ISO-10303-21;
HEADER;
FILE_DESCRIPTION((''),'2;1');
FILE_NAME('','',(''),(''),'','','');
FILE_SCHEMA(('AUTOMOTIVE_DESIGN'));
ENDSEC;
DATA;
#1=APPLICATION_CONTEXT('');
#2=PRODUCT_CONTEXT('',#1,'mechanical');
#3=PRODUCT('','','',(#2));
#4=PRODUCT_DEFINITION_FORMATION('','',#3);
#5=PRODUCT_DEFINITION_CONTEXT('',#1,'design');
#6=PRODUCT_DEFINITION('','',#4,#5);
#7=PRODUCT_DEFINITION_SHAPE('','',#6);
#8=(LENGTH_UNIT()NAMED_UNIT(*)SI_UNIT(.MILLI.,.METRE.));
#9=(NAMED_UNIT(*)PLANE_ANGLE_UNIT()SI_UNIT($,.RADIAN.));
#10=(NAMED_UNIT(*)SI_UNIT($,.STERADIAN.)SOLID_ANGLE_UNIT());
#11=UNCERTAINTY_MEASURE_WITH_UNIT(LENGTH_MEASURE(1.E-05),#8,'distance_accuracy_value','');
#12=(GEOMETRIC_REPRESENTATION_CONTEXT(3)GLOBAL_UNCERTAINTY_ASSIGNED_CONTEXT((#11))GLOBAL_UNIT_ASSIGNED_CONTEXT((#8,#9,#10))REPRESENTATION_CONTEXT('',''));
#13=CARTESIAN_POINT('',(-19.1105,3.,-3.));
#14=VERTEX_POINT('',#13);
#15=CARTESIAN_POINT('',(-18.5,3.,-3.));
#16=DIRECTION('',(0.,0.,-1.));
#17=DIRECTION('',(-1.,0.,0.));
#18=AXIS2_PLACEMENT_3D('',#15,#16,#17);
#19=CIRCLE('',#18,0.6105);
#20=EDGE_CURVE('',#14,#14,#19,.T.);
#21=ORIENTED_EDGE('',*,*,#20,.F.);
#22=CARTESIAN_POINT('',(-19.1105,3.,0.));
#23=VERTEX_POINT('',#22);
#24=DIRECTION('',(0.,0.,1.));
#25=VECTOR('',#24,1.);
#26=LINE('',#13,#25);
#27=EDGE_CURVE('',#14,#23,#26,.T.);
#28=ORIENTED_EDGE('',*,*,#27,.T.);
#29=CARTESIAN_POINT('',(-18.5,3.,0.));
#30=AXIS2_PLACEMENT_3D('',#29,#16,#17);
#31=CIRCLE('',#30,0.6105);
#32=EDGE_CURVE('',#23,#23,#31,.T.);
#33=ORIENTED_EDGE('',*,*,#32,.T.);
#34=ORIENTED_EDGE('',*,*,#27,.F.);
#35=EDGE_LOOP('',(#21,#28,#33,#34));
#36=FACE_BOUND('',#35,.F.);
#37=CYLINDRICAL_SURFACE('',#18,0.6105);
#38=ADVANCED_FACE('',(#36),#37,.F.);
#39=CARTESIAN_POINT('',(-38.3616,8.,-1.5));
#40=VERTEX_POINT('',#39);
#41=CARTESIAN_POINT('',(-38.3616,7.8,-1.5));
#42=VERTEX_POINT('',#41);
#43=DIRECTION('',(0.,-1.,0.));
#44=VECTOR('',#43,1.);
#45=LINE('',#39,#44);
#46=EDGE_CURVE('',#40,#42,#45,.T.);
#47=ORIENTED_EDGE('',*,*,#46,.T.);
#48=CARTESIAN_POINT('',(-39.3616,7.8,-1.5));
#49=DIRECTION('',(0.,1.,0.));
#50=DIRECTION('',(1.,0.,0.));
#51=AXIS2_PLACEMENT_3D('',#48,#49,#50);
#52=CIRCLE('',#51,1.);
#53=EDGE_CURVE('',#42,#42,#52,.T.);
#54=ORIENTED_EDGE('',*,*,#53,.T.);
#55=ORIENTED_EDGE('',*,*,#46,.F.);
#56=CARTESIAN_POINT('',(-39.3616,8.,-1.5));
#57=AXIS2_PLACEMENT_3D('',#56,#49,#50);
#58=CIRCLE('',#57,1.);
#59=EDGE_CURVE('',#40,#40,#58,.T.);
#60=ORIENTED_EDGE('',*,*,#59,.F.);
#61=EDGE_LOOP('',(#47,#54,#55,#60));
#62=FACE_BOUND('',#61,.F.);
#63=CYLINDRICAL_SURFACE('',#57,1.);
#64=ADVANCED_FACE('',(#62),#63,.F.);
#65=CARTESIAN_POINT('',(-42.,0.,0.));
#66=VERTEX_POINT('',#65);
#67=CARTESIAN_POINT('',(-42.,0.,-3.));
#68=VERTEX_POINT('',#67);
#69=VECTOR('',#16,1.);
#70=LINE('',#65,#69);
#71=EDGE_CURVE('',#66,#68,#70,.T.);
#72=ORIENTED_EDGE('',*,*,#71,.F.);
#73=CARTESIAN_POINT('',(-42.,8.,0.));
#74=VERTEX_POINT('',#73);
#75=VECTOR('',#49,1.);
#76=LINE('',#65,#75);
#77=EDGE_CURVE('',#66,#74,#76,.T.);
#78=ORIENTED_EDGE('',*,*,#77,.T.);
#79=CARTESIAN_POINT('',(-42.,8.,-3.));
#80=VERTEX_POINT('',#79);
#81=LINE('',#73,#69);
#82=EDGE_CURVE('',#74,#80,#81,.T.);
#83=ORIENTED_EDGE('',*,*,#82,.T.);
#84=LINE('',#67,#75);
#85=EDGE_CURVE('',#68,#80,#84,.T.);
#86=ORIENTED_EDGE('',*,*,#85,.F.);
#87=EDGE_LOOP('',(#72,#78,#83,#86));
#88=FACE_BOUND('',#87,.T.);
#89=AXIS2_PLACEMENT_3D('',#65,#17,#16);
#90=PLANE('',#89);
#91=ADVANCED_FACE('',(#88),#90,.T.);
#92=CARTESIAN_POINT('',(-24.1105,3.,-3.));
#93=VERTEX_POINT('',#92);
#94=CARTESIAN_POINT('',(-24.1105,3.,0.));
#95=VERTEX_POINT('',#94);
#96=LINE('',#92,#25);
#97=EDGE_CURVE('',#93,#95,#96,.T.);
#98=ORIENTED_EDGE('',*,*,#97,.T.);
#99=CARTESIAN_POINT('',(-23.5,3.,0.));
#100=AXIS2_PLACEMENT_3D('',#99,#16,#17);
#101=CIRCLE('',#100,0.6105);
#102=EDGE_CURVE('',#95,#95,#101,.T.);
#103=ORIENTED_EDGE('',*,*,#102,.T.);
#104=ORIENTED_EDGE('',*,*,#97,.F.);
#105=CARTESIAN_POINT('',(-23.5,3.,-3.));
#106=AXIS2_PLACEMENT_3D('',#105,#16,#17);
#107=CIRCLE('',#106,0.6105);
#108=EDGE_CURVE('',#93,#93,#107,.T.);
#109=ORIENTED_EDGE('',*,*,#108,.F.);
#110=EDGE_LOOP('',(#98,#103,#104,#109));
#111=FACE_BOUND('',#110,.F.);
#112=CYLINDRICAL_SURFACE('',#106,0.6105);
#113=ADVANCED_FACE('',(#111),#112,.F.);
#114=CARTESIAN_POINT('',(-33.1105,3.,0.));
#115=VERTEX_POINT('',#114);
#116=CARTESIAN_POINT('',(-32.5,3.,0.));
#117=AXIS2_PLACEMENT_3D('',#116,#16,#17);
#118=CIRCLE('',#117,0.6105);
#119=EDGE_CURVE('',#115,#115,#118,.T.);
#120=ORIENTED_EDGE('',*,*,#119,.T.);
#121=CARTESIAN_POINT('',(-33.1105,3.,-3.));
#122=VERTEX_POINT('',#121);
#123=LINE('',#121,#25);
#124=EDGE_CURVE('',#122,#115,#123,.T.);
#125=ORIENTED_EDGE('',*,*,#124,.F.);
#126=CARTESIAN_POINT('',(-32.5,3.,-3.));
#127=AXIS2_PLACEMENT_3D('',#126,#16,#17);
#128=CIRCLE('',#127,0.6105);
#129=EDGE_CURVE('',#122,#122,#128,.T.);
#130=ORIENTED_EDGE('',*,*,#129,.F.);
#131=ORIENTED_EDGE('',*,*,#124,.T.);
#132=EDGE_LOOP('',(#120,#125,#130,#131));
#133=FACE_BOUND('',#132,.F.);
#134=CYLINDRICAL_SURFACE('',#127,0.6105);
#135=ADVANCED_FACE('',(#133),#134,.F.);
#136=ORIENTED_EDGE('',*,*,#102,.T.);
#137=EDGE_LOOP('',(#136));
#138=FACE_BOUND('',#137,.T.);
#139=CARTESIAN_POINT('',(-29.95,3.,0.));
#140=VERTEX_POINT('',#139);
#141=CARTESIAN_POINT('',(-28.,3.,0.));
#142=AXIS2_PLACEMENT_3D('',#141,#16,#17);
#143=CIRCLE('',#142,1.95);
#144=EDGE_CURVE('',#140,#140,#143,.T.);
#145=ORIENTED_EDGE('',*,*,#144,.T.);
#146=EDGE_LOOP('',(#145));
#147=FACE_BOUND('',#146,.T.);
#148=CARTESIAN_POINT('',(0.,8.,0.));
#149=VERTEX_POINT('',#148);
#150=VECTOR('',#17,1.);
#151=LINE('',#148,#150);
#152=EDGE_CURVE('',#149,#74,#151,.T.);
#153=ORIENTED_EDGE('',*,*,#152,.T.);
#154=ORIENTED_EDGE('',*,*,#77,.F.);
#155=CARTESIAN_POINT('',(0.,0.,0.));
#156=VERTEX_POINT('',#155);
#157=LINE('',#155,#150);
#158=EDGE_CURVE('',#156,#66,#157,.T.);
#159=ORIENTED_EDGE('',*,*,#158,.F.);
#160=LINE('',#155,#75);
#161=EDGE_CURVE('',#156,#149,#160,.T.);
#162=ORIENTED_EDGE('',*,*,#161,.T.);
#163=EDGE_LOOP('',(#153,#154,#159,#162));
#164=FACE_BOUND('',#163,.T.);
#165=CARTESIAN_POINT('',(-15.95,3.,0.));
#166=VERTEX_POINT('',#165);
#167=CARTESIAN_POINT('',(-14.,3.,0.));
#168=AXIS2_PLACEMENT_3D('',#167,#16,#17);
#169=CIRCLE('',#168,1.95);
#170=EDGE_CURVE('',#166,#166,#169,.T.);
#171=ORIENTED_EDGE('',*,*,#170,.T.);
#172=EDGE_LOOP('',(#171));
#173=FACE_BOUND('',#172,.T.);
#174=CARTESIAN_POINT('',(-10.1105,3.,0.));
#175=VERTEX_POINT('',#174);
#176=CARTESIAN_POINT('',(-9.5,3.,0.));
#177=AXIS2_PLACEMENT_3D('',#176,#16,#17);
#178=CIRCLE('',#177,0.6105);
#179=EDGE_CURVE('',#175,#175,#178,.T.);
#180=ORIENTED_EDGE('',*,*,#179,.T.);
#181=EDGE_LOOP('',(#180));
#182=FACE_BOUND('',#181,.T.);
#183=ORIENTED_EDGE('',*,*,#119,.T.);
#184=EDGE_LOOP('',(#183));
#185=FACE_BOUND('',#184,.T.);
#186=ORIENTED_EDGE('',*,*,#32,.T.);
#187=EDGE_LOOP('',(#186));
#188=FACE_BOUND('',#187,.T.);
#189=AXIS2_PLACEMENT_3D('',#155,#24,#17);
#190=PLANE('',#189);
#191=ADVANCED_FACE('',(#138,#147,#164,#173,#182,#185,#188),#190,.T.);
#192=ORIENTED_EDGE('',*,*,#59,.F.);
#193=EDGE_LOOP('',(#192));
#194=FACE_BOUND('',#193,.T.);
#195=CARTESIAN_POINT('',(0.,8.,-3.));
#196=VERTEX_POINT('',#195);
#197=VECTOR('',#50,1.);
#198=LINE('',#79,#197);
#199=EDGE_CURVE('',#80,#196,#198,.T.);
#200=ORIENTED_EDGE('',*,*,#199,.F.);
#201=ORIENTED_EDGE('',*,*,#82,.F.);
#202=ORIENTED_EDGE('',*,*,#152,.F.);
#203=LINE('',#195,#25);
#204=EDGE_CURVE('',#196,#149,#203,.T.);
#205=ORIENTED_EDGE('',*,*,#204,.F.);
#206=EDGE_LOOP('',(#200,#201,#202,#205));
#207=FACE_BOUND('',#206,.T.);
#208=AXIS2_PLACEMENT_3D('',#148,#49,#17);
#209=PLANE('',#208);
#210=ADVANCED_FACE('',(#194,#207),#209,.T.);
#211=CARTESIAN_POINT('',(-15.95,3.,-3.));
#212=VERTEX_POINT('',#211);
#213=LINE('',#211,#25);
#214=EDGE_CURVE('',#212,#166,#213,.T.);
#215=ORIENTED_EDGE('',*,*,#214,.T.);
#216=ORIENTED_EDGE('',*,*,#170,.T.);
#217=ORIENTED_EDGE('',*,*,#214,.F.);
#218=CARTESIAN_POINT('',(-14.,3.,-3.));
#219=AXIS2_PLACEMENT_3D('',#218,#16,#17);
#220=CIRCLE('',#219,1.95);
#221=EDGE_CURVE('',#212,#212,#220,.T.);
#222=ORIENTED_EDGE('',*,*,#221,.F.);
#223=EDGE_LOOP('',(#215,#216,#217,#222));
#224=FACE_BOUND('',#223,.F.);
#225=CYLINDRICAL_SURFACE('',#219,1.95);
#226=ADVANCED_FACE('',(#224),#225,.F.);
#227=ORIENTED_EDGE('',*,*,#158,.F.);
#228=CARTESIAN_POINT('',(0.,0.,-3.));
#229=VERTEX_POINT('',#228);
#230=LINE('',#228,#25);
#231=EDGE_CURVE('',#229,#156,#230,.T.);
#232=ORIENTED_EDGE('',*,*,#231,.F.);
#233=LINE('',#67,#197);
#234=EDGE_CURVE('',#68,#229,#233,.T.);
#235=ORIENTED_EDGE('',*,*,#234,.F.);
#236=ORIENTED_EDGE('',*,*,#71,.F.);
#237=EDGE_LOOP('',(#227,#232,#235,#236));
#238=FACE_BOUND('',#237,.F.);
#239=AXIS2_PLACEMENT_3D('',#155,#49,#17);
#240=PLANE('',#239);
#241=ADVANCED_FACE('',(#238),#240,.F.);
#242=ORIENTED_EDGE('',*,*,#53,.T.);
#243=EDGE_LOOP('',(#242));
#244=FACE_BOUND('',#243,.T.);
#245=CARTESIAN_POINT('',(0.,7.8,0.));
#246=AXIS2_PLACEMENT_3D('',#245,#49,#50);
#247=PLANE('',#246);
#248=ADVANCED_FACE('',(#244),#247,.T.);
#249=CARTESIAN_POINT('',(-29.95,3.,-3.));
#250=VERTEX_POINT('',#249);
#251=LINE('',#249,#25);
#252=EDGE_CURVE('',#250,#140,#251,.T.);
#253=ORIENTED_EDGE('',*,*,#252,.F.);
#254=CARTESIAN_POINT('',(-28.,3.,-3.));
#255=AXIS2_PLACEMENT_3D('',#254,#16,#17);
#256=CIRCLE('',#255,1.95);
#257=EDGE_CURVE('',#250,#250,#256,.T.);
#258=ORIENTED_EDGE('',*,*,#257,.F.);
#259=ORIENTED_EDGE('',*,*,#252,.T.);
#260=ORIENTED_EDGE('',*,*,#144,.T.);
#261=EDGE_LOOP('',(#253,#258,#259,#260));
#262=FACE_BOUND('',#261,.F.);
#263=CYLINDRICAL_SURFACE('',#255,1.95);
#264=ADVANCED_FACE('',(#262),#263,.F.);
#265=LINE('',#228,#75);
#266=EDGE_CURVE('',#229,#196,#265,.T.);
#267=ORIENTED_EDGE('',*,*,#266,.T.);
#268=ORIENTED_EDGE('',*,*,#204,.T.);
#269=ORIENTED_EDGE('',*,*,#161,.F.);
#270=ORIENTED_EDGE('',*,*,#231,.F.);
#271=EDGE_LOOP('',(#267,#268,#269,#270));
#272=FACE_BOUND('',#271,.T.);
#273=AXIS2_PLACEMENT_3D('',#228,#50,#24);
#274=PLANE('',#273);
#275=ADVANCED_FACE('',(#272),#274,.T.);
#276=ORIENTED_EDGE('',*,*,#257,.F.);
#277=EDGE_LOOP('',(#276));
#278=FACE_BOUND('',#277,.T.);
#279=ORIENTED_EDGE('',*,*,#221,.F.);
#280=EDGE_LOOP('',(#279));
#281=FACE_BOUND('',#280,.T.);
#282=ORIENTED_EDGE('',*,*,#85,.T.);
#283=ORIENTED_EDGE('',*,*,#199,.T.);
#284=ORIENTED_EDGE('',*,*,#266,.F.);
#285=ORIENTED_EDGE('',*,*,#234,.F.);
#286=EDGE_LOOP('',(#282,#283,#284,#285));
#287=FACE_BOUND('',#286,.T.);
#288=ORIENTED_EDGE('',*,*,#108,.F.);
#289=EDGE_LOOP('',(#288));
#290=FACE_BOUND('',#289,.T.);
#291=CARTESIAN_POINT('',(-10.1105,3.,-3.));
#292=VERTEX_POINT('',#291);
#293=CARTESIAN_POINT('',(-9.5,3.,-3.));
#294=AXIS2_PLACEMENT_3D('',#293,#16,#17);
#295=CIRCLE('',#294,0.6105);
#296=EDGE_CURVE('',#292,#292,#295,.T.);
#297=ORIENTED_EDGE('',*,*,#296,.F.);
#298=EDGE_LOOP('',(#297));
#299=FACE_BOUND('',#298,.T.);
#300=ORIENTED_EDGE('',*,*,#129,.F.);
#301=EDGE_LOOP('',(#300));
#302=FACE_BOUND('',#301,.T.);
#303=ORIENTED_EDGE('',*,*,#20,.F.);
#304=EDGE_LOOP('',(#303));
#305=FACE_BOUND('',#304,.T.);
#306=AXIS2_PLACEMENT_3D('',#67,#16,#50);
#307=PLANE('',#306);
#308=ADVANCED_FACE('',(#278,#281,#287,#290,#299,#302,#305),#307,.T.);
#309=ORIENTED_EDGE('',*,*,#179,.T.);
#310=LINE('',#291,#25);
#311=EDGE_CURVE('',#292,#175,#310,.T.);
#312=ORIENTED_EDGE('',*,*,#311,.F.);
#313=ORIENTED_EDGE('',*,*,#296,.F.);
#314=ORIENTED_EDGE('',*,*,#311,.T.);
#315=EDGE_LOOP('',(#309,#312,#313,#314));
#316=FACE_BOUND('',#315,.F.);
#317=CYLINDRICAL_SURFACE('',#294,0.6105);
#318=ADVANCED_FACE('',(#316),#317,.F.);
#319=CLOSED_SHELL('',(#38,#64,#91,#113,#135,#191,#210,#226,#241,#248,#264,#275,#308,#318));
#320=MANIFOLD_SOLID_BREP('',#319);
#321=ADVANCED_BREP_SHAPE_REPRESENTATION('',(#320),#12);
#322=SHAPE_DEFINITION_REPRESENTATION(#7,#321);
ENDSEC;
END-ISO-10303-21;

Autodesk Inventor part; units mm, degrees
ref_plane "YZ Plane" through (0, 0, 0) normal (1, 0, 0) x (0, 1, 0)
ref_plane "XZ Plane" through (0, 0, 0) normal (0, 1, 0) x (-1, 0, 0)
ref_plane "XY Plane" through (0, 0, 0) normal (0, 0, 1) x (1, 0, 0)
sketch "Szkic1" plane through (0, 0, 0) normal (0, 1, 0) x (-1, 0, 0)
  line L0 (0, 0) -> (42, 0)
  line L1 (42, 0) -> (42, -3)
  line L2 (42, -3) -> (0, -3)
  line L3 (0, -3) -> (0, 0)
  dimension "d0" = 42
  dimension "d1" = 3
extrude "Wyciągnięcie proste1" add sketch "Szkic1" along normal blind 8
sketch "Szkic2" plane through (0, 8, 0) normal (0, 1, 0) x (1, 0, 0)
  circle A0 centre (-39.3616, 1.5) radius 1
  point P0 (0, 0)
  dimension "d4" = 2
extrude "Wyciągnięcie proste2" cut sketch "Szkic2" against normal blind 0.2
sketch "Szkic3" plane through (0, 0, -3) normal (0, 0, -1) x (-1, 0, 0)
  line L0 (0, 0) -> (42, 0) projected
  line L1 (0, 8) -> (42, 8) projected
  line L2 (42, 0) -> (36, 0)
  line L3 (36, 0) -> (36, 8)
  line L4 (36, 8) -> (42, 8)
  line L5 (42, 8) -> (42, 0)
  line L6 (0, 8) -> (6, 8)
  line L7 (6, 8) -> (6, 0)
  line L8 (6, 0) -> (0, 0)
  line L9 (0, 0) -> (0, 8)
  circle A0 centre (9.5, 3) radius 0.6105
  circle A1 centre (18.5, 3) radius 0.6105
  circle A2 centre (23.5, 3) radius 0.6105
  circle A3 centre (32.5, 3) radius 0.6105
  circle A4 centre (14, 3) radius 1.95
  circle A5 centre (28, 3) radius 1.95
  dimension "d7" = 6
  dimension "d8" = 6
  dimension "d9" = 1.221
  dimension "d10" = 1.221
  dimension "d11" = 1.221
  dimension "d12" = 1.221
  dimension "d13" = 3.5
  dimension "d14" = 3.5
  dimension "d15" = 3
  dimension "d16" = 3
  dimension "d17" = 3
  dimension "d18" = 3
  dimension "d19" = 9
  dimension "d20" = 9
  dimension "d21" = 3.9
  dimension "d22" = 3
  dimension "d23" = 4.5
  dimension "d24" = 3.9
  dimension "d25" = 3
  dimension "d26" = 4.5
extrude "Wyciągnięcie proste3" cut sketch "Szkic3" against normal blind 3 contours A0 | A1 | A2 | A3 | A4 | A5
properties part number "brmwall"
